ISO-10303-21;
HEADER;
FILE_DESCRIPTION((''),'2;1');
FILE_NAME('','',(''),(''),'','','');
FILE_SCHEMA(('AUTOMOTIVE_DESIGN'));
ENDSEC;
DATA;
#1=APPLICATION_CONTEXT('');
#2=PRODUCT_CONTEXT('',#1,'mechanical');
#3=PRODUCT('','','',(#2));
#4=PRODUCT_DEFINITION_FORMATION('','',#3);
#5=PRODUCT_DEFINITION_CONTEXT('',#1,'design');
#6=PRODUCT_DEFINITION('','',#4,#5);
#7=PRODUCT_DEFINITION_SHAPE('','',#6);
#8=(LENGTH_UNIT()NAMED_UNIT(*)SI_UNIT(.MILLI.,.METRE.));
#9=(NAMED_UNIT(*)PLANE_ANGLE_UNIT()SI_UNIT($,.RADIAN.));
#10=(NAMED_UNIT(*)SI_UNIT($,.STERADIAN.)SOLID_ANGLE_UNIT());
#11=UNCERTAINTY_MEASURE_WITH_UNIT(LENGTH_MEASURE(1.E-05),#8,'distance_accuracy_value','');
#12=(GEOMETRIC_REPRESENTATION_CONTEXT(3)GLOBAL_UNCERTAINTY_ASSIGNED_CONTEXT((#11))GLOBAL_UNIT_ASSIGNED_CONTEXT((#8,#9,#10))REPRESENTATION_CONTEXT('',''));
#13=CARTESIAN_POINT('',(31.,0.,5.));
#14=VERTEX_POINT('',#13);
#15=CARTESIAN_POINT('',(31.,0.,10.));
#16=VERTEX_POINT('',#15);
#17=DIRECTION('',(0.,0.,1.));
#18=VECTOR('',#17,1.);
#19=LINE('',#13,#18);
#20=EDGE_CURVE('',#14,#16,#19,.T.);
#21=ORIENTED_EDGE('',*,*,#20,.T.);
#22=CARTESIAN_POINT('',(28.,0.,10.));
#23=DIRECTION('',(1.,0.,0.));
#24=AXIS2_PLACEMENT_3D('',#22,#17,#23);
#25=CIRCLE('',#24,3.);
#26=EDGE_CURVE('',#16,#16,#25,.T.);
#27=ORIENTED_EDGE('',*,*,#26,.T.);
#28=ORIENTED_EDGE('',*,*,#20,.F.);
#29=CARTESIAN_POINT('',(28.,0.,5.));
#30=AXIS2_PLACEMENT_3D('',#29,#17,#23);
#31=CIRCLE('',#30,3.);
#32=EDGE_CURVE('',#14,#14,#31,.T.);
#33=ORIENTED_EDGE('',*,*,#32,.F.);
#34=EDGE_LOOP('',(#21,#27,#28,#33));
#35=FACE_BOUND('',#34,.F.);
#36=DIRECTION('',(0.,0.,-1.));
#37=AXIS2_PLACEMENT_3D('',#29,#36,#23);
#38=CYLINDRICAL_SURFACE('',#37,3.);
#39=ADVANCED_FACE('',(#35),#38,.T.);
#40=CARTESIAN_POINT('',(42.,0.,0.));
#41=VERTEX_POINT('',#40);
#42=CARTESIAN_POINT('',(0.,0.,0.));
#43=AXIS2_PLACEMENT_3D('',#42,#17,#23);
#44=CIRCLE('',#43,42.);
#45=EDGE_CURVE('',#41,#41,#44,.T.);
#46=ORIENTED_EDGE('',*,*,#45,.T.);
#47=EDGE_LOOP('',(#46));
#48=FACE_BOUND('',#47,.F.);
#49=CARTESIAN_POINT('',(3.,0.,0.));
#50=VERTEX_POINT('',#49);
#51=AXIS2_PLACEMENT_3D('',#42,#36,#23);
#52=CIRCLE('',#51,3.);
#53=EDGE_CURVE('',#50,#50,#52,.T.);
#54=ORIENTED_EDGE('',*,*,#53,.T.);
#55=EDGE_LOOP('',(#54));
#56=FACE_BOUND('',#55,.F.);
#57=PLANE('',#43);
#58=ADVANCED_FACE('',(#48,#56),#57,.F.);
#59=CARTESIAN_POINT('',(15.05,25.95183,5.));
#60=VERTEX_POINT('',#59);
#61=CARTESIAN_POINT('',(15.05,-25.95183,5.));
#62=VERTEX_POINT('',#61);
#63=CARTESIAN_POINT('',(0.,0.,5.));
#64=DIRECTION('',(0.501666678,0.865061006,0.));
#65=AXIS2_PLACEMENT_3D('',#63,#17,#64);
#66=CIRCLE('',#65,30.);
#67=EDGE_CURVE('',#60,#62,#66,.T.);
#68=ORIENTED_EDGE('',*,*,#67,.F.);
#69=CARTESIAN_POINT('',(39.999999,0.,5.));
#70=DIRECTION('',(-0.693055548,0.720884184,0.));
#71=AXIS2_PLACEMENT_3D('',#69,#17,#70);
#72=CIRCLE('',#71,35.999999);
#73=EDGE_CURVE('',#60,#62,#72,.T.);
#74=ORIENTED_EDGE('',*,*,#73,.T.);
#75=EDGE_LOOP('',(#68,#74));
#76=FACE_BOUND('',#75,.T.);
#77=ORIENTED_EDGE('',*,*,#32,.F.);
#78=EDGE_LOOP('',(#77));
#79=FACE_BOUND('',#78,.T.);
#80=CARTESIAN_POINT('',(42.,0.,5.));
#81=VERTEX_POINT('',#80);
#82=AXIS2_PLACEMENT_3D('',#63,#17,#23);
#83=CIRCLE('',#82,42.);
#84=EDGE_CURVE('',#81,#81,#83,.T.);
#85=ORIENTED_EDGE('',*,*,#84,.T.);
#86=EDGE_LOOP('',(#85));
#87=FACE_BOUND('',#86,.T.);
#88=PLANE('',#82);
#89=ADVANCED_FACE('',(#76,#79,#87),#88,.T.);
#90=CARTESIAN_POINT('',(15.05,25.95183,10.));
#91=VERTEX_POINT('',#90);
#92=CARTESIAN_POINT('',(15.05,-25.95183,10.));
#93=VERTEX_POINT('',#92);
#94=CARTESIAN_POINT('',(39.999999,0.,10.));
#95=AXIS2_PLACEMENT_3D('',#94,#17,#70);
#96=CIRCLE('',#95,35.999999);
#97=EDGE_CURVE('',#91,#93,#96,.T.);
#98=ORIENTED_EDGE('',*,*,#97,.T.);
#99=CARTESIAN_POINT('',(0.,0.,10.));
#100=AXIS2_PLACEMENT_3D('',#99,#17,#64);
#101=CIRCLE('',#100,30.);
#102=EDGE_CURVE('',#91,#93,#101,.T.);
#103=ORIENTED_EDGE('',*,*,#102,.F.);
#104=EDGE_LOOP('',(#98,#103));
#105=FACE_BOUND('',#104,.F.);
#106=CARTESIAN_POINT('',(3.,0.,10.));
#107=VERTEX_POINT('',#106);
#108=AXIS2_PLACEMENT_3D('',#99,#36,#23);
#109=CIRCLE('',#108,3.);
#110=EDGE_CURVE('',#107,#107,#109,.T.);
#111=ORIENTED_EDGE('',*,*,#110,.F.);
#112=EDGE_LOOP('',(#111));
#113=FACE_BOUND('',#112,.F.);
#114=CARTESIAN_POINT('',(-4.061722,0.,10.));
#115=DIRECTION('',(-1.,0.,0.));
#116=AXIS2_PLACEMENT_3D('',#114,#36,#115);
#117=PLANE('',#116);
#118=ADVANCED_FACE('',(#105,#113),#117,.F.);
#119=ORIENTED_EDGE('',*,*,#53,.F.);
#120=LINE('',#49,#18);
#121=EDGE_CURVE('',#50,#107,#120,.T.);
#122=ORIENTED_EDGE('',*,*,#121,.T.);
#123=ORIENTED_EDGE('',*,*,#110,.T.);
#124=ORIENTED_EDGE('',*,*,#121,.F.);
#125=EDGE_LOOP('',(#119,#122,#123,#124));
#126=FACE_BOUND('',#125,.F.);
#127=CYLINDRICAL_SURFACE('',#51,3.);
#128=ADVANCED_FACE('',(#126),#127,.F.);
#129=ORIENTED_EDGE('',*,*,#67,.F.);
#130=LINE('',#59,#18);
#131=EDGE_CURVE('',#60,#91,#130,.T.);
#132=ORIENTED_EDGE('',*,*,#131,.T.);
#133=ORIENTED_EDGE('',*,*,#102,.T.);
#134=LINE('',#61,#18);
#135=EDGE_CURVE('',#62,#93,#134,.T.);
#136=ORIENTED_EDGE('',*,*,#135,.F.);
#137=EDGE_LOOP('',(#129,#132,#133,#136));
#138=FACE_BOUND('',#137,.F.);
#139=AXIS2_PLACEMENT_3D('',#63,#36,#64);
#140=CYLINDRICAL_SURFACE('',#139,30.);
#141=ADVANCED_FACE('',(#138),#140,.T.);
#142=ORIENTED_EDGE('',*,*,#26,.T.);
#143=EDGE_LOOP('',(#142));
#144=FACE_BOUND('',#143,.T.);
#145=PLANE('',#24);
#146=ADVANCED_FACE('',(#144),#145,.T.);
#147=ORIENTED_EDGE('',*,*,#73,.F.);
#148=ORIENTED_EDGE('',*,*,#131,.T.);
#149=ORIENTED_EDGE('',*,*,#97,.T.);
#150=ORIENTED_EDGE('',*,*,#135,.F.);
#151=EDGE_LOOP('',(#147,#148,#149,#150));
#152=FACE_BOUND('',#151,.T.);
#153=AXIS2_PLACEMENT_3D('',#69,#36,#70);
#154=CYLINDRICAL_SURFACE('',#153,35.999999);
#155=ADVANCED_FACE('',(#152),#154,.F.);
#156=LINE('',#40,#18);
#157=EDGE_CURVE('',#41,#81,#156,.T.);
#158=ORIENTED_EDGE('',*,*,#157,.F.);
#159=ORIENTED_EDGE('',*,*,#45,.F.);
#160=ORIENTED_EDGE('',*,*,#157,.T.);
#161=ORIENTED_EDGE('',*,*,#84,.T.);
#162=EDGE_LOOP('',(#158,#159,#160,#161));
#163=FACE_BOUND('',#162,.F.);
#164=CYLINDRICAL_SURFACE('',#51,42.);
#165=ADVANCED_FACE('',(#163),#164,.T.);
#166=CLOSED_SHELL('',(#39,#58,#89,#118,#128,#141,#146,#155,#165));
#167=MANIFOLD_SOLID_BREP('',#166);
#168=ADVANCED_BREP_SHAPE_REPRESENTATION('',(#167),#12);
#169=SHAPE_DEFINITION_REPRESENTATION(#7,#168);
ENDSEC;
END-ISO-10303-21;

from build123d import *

# Parameters (mm, degrees)
SKETCH_R     = 42
PAD_DEPTH    = 5
SKETCH001_R  = 3
PAD001_DEPTH = 5
PAD002_DEPTH = 5
SKETCH003_R  = 3
POCKET_DEPTH = 10


with BuildPart() as part:
    # Sketch → Pad (new body)
    with BuildSketch(Plane.XY):
        Circle(SKETCH_R)
    extrude(amount=PAD_DEPTH)

    # Sketch001 → Pad001 (new body)
    with BuildSketch(Plane.XY.offset(5)):
        with Locations((28, 0)):
            Circle(SKETCH001_R)
    extrude(amount=PAD001_DEPTH)

    # Sketch002 → Pad002 (new body)
    with BuildSketch(Plane.XY.offset(5)):
        with BuildLine():
            ThreePointArc((15.05, 25.95183), (4, 0), (15.05, -25.95183))
            ThreePointArc((15.05, 25.95183), (-30, 0), (15.05, -25.95183))
        make_face()
    extrude(amount=PAD002_DEPTH)

    # Sketch003 → Pocket (cut)
    with BuildSketch(Plane(origin=(0, 0, 0), x_dir=(1, 0, 0), z_dir=(0, 0, -1))):
        Circle(SKETCH003_R)
    extrude(amount=-POCKET_DEPTH, mode=Mode.SUBTRACT)


solid = part.part
